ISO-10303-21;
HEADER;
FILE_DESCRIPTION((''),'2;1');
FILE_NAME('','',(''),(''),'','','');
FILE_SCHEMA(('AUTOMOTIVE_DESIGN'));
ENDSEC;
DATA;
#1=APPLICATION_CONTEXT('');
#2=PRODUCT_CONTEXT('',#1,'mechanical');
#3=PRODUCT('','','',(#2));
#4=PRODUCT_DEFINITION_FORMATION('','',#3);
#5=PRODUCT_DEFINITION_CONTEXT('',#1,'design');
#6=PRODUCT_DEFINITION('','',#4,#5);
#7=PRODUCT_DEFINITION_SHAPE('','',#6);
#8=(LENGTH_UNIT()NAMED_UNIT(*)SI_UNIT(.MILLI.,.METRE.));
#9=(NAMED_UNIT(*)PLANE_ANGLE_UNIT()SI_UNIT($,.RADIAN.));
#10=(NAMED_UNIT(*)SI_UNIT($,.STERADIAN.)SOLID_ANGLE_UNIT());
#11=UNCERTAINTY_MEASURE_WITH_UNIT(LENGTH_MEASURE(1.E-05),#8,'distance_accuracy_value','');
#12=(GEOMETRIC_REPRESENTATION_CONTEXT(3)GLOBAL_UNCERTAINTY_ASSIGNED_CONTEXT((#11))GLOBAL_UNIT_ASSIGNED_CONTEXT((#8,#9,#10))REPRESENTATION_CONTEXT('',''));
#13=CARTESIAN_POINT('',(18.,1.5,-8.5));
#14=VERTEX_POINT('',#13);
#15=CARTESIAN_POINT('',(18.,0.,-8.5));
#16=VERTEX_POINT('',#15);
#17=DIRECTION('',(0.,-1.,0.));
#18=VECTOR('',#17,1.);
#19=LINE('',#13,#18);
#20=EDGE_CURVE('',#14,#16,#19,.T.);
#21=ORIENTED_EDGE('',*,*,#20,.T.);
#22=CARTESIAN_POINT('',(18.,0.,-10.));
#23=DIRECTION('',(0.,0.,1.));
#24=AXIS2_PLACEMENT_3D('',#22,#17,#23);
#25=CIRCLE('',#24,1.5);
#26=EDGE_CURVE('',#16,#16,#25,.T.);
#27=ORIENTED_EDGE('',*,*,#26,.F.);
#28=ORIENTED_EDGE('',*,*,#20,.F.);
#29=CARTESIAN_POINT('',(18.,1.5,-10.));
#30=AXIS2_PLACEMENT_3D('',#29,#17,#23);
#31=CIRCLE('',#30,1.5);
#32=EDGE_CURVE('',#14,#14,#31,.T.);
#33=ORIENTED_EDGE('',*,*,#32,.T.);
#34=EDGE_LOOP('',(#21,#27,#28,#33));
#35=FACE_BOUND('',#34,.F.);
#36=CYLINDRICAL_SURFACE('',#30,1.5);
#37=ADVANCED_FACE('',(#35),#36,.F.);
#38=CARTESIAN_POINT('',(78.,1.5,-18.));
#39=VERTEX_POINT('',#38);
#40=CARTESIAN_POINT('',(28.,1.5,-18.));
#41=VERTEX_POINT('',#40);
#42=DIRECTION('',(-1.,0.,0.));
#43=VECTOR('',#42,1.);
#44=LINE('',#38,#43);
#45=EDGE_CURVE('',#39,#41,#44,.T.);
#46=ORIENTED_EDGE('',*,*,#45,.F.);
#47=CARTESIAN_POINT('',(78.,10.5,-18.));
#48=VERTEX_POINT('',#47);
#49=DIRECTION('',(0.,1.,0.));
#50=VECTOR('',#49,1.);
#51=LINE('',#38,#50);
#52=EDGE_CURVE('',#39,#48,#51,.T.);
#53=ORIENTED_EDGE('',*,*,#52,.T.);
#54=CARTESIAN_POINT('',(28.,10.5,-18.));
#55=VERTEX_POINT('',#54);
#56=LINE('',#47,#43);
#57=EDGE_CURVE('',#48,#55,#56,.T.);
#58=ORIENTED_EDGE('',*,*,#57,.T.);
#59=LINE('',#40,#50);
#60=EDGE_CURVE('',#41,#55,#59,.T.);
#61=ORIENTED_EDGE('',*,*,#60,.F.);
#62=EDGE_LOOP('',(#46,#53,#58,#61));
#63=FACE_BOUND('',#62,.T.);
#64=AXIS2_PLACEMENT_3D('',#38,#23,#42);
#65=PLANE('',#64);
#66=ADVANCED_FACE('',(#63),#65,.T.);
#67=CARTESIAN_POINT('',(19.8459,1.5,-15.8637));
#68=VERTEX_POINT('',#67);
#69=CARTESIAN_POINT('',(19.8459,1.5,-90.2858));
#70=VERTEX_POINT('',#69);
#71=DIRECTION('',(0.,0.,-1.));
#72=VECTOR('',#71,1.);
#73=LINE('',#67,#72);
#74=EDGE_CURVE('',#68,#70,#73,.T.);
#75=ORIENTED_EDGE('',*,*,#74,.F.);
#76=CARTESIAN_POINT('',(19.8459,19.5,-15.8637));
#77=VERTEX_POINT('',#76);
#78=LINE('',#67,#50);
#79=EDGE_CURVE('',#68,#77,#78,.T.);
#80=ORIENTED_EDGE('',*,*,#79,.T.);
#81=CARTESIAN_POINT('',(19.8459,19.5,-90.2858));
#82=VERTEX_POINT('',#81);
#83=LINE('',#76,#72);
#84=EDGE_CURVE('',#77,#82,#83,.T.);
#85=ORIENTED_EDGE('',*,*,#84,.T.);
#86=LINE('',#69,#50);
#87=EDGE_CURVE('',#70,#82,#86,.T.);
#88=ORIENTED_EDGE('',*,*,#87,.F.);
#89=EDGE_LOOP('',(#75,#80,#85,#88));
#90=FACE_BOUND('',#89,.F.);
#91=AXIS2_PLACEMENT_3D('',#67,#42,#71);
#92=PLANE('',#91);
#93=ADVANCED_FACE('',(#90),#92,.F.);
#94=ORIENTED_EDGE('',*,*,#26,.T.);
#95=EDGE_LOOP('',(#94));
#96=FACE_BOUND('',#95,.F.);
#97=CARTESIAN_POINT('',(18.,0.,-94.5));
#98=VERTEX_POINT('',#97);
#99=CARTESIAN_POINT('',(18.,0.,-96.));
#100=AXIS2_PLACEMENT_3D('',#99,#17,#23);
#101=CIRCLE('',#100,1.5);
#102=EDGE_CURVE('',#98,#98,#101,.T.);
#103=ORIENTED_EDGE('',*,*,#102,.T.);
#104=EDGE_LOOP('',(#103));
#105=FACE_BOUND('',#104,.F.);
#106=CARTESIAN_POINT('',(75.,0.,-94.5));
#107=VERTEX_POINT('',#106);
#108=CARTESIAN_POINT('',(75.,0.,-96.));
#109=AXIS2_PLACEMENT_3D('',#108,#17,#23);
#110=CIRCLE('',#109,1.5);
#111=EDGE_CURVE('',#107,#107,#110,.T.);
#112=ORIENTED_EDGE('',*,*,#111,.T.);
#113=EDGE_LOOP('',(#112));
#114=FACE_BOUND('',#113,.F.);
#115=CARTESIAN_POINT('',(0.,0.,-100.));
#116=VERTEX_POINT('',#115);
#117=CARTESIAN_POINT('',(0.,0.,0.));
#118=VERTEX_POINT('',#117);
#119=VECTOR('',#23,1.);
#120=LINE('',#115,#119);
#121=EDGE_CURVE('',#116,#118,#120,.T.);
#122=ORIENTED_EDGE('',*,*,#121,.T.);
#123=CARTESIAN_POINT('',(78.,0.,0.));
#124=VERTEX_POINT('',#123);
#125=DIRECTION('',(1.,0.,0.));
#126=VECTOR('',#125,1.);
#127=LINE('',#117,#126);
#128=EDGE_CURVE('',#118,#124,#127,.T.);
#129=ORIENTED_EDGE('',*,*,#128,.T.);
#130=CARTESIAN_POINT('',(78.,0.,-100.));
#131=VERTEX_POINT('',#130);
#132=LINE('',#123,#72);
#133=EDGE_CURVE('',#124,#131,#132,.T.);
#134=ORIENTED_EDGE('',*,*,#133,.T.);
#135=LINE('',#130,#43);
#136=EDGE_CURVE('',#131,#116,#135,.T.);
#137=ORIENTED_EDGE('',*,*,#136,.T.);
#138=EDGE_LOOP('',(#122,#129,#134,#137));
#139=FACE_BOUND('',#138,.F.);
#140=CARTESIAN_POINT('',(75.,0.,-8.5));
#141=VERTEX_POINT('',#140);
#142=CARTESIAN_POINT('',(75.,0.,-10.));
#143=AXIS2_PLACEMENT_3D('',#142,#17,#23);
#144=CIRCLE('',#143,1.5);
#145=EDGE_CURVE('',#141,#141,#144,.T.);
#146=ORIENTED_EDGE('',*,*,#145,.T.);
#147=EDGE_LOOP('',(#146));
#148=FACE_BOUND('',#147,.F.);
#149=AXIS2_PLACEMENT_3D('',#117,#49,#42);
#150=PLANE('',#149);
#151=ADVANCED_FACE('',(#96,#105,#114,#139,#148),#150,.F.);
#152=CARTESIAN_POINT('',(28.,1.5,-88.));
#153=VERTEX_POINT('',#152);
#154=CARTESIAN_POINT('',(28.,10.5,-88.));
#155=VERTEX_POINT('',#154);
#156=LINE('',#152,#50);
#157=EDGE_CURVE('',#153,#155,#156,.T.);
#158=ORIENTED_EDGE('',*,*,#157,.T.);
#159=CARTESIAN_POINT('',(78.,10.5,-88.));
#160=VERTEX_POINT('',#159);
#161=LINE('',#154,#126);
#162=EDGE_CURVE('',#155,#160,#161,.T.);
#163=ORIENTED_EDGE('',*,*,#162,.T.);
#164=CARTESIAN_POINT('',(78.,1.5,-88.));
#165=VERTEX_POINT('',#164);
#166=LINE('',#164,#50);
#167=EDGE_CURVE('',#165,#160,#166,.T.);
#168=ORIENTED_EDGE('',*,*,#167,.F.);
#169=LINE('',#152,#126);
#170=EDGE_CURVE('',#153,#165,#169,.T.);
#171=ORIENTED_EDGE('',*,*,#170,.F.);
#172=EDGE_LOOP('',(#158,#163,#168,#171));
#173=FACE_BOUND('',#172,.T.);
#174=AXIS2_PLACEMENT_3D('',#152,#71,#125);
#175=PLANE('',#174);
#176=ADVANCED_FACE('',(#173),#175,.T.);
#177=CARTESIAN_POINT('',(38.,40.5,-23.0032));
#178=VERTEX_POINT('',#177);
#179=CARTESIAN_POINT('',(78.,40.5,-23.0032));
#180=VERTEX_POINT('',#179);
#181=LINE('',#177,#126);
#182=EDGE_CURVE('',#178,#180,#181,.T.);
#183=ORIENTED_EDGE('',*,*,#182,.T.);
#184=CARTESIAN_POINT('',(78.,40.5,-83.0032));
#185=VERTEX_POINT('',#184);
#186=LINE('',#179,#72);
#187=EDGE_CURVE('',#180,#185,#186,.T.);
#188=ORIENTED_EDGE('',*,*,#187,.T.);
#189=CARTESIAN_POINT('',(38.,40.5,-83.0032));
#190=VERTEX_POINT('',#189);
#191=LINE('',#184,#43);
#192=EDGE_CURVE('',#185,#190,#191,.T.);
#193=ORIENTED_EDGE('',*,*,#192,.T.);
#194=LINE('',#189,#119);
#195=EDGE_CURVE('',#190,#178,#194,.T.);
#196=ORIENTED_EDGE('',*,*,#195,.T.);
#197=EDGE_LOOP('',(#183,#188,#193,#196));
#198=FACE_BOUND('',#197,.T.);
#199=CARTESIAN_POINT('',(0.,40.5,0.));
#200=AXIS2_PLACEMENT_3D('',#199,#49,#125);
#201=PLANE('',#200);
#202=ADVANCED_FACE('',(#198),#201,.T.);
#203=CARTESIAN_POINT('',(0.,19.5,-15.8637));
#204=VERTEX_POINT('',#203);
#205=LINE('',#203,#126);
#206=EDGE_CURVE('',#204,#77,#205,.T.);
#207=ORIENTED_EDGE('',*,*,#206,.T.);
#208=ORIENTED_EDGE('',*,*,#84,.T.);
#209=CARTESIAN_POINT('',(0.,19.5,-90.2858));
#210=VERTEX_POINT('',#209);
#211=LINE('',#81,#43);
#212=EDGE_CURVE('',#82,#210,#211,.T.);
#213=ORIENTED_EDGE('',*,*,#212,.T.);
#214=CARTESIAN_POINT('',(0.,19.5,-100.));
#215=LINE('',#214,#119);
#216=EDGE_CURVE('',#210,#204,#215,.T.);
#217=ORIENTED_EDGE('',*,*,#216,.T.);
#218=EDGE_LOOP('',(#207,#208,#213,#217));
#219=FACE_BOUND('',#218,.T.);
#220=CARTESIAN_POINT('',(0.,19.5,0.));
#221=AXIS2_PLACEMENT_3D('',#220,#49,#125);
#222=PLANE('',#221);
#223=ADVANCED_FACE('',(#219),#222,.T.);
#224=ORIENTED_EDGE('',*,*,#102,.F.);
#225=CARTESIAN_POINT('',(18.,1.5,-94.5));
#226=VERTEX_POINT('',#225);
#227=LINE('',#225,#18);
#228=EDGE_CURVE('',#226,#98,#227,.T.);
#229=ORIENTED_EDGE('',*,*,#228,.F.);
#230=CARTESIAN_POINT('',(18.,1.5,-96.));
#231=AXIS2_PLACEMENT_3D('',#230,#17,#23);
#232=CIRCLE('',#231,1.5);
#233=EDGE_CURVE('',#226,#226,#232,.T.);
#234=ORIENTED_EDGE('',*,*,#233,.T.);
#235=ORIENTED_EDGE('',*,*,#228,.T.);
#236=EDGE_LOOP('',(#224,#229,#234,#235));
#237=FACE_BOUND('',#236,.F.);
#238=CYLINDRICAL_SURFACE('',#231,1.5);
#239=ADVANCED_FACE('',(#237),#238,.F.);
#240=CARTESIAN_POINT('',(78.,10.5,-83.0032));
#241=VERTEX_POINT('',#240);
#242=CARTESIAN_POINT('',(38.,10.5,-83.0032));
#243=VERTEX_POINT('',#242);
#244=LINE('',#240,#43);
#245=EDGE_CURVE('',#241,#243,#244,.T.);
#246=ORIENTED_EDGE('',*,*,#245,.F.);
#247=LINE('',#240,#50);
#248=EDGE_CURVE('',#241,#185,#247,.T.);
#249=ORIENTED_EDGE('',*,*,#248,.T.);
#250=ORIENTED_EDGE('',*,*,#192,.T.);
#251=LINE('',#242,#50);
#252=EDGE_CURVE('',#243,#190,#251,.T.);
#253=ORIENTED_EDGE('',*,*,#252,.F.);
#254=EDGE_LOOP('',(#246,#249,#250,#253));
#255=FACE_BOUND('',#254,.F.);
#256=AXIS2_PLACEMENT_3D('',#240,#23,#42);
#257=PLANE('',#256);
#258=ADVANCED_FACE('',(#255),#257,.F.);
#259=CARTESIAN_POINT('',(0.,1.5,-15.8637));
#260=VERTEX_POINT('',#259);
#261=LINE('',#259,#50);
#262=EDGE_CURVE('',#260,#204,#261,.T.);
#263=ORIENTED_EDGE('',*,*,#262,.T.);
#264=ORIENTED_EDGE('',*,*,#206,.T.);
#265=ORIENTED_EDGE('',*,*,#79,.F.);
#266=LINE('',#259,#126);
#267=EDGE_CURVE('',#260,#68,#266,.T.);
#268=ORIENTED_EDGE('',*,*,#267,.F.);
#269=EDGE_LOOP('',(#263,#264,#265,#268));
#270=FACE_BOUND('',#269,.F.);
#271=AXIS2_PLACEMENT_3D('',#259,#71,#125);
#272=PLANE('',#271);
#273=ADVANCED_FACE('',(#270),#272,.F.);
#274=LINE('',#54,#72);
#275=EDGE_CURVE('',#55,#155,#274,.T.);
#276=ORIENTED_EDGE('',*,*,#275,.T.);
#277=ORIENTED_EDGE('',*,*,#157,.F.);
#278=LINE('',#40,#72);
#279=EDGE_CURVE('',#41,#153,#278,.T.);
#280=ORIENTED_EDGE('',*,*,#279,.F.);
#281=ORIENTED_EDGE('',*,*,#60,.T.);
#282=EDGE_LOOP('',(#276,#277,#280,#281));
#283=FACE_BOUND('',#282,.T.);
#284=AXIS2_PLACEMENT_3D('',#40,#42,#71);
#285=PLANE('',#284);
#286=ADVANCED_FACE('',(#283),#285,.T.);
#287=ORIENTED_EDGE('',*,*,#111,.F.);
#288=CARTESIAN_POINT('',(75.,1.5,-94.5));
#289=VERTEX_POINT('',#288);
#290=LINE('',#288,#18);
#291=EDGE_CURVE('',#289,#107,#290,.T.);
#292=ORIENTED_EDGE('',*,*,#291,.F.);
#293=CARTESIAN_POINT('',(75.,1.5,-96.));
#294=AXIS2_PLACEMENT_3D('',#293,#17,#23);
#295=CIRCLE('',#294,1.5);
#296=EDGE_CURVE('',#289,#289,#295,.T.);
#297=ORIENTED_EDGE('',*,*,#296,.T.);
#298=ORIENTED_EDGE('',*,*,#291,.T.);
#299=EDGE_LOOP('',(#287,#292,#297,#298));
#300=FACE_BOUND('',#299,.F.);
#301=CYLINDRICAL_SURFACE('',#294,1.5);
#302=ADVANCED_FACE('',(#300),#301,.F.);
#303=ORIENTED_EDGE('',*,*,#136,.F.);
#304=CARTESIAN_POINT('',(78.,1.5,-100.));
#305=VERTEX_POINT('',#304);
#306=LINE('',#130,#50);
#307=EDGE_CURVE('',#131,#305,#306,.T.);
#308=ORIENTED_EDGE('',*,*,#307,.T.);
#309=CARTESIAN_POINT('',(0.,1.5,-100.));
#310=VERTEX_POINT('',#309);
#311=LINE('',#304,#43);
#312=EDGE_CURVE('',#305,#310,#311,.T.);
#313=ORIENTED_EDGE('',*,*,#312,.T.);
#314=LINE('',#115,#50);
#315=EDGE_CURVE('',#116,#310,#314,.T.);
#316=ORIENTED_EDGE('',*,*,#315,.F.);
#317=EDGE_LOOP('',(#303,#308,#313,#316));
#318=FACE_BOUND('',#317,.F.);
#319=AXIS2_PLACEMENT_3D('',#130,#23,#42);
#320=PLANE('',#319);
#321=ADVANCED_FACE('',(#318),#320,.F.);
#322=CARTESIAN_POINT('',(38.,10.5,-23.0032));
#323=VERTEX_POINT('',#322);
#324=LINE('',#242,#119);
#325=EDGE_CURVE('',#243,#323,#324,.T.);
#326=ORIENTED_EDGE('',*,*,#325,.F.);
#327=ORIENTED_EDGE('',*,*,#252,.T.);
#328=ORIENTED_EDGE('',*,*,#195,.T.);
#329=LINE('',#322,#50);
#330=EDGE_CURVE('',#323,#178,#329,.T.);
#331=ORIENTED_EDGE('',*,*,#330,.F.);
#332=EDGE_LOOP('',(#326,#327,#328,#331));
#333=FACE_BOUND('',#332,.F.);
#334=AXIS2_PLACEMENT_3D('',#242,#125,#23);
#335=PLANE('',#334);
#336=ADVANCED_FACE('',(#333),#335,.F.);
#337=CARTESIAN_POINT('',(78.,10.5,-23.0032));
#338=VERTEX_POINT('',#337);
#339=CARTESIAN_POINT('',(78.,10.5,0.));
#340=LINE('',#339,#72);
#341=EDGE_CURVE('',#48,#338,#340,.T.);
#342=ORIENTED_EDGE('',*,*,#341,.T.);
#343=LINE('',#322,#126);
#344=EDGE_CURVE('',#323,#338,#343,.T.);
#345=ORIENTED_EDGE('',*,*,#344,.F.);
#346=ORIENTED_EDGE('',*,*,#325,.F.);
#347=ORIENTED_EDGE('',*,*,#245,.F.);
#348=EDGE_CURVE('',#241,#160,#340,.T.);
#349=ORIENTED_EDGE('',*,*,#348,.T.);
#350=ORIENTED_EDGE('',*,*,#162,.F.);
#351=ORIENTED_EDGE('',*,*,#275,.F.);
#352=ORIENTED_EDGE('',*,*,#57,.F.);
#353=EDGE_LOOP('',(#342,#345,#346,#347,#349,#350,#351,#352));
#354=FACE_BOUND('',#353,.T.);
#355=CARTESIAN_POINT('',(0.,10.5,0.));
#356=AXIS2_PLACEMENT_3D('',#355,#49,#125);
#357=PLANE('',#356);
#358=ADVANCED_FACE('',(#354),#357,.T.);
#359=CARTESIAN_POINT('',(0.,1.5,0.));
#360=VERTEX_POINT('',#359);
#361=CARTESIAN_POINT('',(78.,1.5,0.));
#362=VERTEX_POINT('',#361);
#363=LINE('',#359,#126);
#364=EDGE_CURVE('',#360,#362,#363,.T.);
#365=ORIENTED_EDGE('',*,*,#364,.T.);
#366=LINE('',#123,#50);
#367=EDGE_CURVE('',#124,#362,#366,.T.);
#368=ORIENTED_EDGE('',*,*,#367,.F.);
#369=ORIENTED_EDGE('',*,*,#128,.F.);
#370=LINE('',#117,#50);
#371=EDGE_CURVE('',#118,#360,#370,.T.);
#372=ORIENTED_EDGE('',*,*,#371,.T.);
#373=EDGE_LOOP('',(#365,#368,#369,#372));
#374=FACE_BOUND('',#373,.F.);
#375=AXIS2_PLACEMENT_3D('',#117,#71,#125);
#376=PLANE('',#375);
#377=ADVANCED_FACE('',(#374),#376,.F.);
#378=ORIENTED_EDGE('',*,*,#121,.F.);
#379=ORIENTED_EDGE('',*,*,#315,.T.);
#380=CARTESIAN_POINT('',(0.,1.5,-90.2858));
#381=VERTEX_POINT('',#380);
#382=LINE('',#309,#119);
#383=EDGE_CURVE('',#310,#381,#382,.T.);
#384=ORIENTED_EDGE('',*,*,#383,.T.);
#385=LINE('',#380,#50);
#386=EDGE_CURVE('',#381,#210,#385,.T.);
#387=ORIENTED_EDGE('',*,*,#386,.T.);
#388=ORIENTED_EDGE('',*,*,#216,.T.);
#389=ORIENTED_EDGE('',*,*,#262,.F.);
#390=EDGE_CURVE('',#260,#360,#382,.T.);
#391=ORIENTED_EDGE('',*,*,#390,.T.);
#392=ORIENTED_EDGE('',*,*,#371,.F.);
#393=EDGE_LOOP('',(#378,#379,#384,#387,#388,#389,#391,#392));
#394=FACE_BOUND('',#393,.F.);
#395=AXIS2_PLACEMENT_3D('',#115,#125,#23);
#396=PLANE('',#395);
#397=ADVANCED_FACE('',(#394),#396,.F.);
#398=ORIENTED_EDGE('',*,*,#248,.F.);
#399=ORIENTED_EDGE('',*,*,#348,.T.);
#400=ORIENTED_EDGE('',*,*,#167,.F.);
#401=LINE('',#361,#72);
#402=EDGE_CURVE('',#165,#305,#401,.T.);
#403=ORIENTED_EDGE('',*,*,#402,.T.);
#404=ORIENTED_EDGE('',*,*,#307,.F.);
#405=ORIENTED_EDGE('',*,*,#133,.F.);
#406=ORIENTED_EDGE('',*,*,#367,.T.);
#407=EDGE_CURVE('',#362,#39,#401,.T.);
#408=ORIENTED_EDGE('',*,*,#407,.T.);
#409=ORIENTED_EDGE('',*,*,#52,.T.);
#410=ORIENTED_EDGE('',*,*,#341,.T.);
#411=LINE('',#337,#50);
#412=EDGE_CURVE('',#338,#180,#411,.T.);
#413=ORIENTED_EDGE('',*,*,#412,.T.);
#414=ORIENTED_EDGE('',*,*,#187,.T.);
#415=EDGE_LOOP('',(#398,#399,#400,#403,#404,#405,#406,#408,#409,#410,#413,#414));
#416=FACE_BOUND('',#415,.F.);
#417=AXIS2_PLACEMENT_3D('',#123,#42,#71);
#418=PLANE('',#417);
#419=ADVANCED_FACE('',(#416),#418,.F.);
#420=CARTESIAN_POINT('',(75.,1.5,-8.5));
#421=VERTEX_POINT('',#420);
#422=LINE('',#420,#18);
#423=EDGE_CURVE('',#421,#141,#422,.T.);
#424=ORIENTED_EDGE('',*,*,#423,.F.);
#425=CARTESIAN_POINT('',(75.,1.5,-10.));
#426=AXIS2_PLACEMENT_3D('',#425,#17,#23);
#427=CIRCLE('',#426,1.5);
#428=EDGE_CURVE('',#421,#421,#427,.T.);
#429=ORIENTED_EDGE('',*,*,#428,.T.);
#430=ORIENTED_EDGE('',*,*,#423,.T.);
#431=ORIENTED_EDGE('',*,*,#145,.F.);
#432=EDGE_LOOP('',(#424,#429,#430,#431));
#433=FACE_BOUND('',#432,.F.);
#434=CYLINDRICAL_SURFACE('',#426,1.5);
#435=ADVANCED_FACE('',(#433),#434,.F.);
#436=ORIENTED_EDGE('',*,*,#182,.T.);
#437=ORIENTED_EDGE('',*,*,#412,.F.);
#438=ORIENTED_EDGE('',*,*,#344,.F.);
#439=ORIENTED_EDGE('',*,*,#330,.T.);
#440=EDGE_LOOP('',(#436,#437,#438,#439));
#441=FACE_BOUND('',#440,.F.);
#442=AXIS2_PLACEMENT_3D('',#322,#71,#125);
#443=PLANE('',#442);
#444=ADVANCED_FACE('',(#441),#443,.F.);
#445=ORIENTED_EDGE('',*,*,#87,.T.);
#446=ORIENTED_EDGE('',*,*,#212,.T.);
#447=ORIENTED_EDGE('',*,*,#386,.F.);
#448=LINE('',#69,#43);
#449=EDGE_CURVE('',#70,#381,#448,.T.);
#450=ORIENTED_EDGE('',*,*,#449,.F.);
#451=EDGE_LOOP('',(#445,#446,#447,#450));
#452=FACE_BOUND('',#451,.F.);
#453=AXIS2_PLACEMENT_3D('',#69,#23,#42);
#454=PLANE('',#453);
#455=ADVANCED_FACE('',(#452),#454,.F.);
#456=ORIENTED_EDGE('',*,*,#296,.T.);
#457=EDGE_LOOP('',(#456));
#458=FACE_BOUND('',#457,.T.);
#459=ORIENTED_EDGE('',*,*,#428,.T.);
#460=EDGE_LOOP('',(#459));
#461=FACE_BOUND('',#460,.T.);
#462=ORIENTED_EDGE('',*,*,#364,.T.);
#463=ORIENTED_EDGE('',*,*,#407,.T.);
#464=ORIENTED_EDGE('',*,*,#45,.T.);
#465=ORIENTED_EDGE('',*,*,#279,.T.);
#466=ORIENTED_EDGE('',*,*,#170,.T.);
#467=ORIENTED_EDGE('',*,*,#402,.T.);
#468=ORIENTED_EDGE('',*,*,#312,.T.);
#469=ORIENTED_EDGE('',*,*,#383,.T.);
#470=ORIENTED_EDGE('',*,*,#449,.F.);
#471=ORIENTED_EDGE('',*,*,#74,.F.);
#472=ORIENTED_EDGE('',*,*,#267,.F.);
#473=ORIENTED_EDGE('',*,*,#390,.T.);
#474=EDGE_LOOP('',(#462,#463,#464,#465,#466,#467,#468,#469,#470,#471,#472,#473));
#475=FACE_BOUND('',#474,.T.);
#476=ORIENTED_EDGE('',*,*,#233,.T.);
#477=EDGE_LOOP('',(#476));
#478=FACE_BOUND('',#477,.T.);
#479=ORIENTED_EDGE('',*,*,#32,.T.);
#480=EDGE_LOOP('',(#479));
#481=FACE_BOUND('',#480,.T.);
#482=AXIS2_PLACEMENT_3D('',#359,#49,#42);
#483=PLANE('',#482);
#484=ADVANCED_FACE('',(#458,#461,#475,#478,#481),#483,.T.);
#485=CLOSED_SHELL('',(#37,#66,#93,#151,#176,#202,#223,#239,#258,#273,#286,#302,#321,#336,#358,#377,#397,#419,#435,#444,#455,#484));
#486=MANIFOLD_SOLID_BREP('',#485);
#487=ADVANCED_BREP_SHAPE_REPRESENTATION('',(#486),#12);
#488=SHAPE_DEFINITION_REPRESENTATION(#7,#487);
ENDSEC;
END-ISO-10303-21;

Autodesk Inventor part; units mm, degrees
ref_plane "YZ Plane" through (0, 0, 0) normal (1, 0, 0) x (0, 1, 0)
ref_plane "XY Plane" through (0, 0, 0) normal (0, 0, 1) x (1, 0, 0)
sketch "Skizze1" plane through (0, 0, 0) normal (0, 1, 0) x (-1, 0, 0)
  line L0 (0, 0) -> (-78, 0)
  line L1 (-78, 0) -> (-78, -100)
  line L2 (-78, -100) -> (0, -100)
  line L3 (0, -100) -> (0, 0)
  dimension "d0" = 78
  dimension "d1" = 100
extrude "Extrusion1" add sketch "Skizze1" along normal blind 1.5
sketch "Skizze2" plane through (0, 1.5, 0) normal (0, 1, 0) x (1, 0, 0)
  line L0 (78, 100) -> (0, 100) projected
  line L1 (78, 0) -> (78, 100) projected
  line L2 (0, 0) -> (78, 0) projected
  line L3 (0, 100) -> (0, 0) projected
  point P0 (75, 96)
  point P1 (75, 10)
  point P2 (18, 10)
  point P3 (18, 96)
  dimension "d4" = 4
  dimension "d5" = 3
  dimension "d6" = 10
  dimension "d7" = 3
  dimension "d8" = 18
  dimension "d9" = 10
  dimension "d10" = 4
  dimension "d11" = 18
hole "Bohrung1" at (75, 1.5, -96) at (75, 1.5, -10) at (18, 1.5, -10) at (18, 1.5, -96) direction (0, -1, 0) diameter 3 end through all
sketch "Skizze3" plane through (0, 1.5, 0) normal (0, 1, 0) x (1, 0, 0)
  line L0 (0, 100) -> (0, 0) projected
  line L1 (0, 15.8637) -> (19.8459, 15.8637)
  line L2 (19.8459, 15.8637) -> (19.8459, 90.2858)
  line L3 (19.8459, 90.2858) -> (0, 90.2858)
  line L4 (0, 90.2858) -> (0, 15.8637)
  dimension "d19" = 15.8637
  dimension "d20" = 74.4222
  dimension "d21" = 19.8459
extrude "Extrusion2" add sketch "Skizze3" along normal blind 18
sketch "Skizze4" plane through (0, 1.5, 0) normal (0, 1, 0) x (1, 0, 0)
  line L0 (78, 0) -> (78, 100) projected
  line L1 (78, 18) -> (28, 18)
  line L2 (28, 18) -> (28, 88)
  line L3 (28, 88) -> (78, 88)
  line L4 (78, 88) -> (78, 18)
  line L5 (0, 0) -> (78, 0) projected
  dimension "d24" = 18
  dimension "d25" = 50
  dimension "d26" = 70
extrude "Extrusion3" add sketch "Skizze4" along normal blind 9
sketch "Skizze5" plane through (0, 10.5, 0) normal (0, 1, 0) x (1, 0, 0)
  line L0 (38, 23.0032) -> (78, 23.0032)
  line L1 (78, 23.0032) -> (78, 83.0032)
  line L2 (78, 83.0032) -> (38, 83.0032)
  line L3 (38, 83.0032) -> (38, 23.0032)
  line L4 (78, 18) -> (78, 88) projected
  line L5 (28, 18) -> (78, 18) projected
  point P0 (0, 0)
  dimension "d29" = 40
  dimension "d30" = 60
  dimension "d31" = 5.0032
extrude "Extrusion4" add sketch "Skizze5" along normal blind 30
properties part number "jetson"
